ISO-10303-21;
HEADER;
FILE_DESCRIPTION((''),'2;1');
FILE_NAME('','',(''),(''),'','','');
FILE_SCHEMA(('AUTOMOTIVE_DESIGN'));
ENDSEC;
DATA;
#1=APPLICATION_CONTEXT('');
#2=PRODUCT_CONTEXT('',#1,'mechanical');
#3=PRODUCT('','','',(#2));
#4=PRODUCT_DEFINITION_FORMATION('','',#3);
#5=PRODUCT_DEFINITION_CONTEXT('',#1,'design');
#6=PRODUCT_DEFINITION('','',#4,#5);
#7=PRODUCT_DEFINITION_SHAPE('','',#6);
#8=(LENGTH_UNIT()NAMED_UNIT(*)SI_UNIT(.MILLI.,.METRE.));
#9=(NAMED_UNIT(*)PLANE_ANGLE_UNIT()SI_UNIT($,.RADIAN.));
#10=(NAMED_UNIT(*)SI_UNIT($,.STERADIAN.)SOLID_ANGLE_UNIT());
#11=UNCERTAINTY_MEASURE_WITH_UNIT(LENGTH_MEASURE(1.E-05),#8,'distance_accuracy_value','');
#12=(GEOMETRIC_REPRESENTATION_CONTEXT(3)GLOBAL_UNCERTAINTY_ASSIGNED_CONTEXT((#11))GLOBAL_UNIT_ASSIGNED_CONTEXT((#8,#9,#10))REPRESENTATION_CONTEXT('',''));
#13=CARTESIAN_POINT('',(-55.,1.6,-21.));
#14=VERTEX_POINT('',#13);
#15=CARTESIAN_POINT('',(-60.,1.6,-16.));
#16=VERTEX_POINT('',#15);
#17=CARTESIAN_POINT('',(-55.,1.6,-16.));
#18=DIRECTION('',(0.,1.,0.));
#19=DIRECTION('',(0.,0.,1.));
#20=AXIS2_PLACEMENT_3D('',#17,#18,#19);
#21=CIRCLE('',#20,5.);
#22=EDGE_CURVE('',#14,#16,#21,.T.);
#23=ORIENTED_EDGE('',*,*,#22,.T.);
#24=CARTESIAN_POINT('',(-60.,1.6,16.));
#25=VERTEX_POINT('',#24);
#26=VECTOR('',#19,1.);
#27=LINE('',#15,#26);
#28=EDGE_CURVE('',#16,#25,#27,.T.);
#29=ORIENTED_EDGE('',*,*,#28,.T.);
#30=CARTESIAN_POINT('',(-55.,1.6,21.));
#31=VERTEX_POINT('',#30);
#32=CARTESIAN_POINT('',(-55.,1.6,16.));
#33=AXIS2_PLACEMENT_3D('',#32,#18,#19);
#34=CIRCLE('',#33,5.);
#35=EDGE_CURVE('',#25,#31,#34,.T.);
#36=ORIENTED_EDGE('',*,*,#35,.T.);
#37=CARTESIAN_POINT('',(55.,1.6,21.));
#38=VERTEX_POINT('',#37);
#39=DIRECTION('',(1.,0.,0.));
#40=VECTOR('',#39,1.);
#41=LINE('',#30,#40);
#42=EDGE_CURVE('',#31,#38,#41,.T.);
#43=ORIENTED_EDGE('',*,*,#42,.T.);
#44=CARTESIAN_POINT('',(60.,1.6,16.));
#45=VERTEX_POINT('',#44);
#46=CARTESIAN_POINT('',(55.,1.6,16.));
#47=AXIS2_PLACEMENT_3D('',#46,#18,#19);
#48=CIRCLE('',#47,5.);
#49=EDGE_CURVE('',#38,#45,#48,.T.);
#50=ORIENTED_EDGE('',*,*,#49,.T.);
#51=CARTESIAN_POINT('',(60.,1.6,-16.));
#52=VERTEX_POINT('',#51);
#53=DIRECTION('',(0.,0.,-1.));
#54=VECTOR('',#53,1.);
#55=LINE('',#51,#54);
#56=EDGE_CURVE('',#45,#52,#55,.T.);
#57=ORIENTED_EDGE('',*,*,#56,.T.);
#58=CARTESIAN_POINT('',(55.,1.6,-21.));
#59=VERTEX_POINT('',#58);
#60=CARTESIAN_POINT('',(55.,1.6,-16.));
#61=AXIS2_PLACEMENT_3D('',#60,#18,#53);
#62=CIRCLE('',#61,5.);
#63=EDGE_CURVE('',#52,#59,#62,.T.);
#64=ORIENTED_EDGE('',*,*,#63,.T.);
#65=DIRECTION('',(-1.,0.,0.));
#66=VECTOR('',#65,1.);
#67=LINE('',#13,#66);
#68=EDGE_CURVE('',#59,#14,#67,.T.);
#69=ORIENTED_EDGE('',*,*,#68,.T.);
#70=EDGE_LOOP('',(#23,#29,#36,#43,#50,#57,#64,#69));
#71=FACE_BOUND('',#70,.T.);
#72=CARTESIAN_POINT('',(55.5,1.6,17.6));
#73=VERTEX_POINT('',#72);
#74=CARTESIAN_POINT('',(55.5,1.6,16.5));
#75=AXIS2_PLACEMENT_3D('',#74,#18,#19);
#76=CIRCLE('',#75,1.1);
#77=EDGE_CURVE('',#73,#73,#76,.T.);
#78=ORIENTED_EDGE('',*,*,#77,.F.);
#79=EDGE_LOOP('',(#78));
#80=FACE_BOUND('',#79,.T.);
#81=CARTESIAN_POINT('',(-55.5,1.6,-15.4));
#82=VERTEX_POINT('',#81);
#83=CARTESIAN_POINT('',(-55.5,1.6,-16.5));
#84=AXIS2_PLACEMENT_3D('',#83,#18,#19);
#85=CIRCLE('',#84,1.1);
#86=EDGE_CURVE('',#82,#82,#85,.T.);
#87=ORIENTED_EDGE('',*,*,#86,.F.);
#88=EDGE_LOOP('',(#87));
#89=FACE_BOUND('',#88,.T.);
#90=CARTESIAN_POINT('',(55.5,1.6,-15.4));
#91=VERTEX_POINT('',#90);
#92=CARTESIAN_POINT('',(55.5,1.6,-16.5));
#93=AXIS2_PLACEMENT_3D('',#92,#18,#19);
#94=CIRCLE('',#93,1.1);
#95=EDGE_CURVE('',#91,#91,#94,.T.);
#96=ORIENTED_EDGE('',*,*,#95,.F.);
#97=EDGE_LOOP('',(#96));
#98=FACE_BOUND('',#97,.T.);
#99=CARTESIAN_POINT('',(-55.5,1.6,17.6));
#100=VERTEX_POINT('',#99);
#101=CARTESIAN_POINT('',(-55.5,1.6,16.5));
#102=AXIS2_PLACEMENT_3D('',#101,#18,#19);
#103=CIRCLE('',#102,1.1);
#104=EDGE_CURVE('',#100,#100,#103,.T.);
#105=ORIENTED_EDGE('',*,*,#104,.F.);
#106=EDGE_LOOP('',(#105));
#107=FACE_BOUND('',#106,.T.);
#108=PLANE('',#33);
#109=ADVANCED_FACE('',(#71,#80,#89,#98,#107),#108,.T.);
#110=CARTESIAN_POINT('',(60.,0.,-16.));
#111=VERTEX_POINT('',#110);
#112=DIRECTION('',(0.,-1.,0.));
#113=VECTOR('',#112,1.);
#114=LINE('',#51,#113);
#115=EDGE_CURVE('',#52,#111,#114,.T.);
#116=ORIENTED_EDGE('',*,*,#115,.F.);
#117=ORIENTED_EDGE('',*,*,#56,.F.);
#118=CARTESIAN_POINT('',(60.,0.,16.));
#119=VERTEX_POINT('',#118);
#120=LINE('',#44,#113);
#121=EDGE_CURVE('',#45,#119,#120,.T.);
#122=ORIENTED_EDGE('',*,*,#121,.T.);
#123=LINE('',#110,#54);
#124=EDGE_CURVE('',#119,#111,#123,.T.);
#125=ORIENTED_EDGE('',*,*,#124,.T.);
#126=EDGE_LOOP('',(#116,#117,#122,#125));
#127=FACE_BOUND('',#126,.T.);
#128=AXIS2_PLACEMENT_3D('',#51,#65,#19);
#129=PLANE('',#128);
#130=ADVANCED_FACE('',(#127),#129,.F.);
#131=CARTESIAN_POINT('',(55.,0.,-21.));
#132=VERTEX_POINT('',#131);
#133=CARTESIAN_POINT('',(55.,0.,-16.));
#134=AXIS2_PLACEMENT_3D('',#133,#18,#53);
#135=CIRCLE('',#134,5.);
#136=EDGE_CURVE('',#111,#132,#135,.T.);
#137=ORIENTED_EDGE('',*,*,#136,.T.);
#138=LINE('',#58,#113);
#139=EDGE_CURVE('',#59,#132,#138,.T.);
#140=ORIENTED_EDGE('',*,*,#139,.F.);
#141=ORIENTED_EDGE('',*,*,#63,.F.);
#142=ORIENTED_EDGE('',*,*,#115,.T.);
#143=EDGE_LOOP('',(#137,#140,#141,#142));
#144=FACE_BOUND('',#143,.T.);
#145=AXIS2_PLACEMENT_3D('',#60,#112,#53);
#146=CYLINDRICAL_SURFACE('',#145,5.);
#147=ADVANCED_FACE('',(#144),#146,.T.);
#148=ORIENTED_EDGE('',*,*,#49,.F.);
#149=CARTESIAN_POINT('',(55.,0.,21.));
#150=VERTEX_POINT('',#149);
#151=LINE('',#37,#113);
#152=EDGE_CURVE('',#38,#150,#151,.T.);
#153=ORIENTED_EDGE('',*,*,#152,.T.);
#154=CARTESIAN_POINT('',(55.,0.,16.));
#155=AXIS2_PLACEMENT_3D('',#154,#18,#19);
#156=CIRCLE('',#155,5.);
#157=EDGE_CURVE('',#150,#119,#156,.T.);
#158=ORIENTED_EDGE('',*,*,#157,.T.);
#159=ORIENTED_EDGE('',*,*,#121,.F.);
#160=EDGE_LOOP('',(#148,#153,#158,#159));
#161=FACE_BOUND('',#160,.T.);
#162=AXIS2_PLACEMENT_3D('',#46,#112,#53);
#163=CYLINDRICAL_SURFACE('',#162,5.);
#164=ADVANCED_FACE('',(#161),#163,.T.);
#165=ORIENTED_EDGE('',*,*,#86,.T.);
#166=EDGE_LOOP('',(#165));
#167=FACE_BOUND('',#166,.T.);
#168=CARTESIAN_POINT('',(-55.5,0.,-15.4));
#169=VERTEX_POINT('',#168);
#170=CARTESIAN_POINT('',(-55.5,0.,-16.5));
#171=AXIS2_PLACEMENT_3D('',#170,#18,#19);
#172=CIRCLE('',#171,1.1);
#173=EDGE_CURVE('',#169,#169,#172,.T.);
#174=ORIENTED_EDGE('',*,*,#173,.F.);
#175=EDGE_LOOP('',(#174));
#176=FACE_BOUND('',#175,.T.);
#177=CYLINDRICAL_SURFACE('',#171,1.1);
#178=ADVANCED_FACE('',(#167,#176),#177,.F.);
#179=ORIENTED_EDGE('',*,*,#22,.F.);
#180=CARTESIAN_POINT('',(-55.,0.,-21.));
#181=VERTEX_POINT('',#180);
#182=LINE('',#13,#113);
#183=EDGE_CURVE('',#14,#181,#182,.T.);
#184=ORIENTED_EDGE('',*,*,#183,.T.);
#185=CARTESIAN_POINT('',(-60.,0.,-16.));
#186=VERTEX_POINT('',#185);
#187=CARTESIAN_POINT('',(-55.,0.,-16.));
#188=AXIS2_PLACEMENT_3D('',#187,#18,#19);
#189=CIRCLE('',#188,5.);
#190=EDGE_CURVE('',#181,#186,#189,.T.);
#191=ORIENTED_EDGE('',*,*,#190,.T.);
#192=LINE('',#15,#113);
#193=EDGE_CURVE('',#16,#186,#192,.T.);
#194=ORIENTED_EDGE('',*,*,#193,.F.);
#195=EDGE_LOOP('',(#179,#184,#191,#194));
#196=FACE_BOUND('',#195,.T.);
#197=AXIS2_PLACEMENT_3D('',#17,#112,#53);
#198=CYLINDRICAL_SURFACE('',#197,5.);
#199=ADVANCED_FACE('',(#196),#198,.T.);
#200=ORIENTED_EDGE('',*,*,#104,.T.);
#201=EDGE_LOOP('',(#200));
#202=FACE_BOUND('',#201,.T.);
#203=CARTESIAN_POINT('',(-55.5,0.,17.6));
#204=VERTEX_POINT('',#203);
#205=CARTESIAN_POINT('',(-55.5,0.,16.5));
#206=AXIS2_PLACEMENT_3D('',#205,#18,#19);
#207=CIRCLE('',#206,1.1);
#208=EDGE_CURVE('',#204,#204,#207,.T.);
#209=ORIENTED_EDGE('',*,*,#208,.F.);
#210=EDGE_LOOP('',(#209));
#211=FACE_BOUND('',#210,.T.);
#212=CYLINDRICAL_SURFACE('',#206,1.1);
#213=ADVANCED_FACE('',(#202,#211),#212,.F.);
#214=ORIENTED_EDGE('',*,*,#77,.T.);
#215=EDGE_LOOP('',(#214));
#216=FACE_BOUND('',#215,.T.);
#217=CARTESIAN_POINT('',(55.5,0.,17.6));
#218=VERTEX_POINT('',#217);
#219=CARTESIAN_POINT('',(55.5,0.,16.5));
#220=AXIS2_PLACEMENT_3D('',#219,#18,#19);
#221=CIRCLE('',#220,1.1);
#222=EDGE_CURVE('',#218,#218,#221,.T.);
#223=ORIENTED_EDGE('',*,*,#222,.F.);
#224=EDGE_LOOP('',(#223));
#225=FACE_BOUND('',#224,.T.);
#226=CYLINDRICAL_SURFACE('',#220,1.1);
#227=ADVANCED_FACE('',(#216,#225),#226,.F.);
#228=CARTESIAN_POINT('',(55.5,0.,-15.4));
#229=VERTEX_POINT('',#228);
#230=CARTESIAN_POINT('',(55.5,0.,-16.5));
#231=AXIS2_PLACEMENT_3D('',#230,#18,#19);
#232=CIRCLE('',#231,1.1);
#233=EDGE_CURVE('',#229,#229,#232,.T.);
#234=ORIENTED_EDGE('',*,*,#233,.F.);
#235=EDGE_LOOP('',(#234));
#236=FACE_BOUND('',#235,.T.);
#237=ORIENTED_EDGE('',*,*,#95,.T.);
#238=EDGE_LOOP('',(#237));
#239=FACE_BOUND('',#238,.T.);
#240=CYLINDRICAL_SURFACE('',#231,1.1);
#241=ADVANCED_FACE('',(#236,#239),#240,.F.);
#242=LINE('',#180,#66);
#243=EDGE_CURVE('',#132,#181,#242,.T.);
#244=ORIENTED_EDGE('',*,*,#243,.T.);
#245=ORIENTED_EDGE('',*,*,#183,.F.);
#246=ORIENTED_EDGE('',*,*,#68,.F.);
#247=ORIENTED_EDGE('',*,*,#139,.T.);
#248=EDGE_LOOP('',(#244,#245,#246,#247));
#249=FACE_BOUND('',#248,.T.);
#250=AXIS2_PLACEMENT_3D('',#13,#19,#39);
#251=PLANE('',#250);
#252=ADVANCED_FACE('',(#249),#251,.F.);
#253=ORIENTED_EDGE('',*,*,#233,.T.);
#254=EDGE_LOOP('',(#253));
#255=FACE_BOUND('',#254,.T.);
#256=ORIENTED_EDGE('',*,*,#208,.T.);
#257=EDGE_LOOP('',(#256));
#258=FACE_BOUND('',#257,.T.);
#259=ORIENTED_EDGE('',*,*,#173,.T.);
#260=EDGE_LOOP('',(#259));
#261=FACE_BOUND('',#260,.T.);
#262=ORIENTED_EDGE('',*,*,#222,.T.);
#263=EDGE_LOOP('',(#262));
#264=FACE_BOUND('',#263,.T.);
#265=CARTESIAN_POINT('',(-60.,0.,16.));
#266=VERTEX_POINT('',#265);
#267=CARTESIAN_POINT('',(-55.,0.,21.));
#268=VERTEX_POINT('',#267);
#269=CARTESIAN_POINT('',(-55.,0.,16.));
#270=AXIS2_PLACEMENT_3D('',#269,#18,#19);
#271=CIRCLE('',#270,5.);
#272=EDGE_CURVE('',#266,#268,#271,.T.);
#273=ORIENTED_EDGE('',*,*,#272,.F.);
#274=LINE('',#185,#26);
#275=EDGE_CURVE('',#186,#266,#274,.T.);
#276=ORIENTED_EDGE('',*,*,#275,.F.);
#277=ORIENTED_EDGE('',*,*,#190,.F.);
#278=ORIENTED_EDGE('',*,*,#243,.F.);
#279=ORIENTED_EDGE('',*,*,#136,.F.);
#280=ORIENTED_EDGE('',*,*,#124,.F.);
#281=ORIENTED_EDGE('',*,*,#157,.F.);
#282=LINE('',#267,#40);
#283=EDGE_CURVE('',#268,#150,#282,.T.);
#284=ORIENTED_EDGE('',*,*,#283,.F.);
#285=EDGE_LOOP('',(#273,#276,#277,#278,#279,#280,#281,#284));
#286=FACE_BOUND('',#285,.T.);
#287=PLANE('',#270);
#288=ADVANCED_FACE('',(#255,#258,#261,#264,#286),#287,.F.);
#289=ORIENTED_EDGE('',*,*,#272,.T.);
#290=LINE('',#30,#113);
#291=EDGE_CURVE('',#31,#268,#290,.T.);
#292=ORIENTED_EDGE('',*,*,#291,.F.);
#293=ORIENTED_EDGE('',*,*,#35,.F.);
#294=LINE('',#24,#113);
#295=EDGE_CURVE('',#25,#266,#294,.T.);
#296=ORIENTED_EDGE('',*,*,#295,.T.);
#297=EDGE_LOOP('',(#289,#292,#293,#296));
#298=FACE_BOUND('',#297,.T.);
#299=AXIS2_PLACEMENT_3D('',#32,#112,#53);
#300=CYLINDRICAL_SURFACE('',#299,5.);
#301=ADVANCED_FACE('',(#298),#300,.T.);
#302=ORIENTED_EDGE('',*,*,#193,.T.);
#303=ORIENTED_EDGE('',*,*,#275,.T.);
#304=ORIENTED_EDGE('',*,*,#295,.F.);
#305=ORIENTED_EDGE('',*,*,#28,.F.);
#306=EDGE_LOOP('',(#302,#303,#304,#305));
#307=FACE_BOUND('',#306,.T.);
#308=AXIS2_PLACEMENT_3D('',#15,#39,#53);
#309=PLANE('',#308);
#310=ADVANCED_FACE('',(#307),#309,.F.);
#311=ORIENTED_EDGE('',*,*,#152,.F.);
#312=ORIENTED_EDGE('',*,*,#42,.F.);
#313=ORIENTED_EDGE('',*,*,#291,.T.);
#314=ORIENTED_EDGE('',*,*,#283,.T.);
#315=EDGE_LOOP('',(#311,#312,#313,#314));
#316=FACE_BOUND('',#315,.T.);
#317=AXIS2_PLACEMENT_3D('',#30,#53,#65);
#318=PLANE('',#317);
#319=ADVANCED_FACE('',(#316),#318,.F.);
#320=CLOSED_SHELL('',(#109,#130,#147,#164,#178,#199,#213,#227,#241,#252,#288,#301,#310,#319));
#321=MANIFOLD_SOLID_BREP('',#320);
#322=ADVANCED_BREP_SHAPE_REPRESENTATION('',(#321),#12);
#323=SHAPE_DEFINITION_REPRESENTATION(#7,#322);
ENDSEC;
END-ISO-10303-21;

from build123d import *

# Parameters (mm, degrees)
AUFSATZ_LINEAR_AUSTRAGEN1_DEPTH = 1.6
SKIZZE2_R                       = 1.1
SCHNITT_LINEAR_AUSTRAGEN1_DEPTH = 64.588992758


with BuildPart() as part:
    # Skizze1 → Aufsatz-Linear austragen1 (new body)
    with BuildSketch(Plane(origin=(0, 0, 0), x_dir=(1, 0, 0), z_dir=(0, 1, 0))):
        with BuildLine():
            Line((-55, 21), (55, 21))
            ThreePointArc((55, 21), (58.535533906, 19.535533906), (60, 16))
            Line((60, 16), (60, -16))
            ThreePointArc((60, -16), (58.535533906, -19.535533906), (55, -21))
            Line((55, -21), (-55, -21))
            ThreePointArc((-55, -21), (-58.535533906, -19.535533906), (-60, -16))
            Line((-60, -16), (-60, 16))
            ThreePointArc((-60, 16), (-58.535533906, 19.535533906), (-55, 21))
        make_face()
    extrude(amount=AUFSATZ_LINEAR_AUSTRAGEN1_DEPTH)

    # Skizze2 → Schnitt-Linear austragen1 (cut, through all)
    with BuildSketch(Plane(origin=(0, 1.6, 0), x_dir=(1, 0, 0), z_dir=(0, 1, 0))):
        with Locations(Location((-55.5, 16.5, 0), (0, 0, 270))):
            Circle(SKIZZE2_R)
        with Locations(Location((-55.5, -16.5, 0), (0, 0, 270))):
            Circle(SKIZZE2_R)
        with Locations(Location((55.5, 16.5, 0), (0, 0, 270))):
            Circle(SKIZZE2_R)
        with Locations(Location((55.5, -16.5, 0), (0, 0, 270))):
            Circle(SKIZZE2_R)
    extrude(amount=-SCHNITT_LINEAR_AUSTRAGEN1_DEPTH, mode=Mode.SUBTRACT)


solid = part.part
